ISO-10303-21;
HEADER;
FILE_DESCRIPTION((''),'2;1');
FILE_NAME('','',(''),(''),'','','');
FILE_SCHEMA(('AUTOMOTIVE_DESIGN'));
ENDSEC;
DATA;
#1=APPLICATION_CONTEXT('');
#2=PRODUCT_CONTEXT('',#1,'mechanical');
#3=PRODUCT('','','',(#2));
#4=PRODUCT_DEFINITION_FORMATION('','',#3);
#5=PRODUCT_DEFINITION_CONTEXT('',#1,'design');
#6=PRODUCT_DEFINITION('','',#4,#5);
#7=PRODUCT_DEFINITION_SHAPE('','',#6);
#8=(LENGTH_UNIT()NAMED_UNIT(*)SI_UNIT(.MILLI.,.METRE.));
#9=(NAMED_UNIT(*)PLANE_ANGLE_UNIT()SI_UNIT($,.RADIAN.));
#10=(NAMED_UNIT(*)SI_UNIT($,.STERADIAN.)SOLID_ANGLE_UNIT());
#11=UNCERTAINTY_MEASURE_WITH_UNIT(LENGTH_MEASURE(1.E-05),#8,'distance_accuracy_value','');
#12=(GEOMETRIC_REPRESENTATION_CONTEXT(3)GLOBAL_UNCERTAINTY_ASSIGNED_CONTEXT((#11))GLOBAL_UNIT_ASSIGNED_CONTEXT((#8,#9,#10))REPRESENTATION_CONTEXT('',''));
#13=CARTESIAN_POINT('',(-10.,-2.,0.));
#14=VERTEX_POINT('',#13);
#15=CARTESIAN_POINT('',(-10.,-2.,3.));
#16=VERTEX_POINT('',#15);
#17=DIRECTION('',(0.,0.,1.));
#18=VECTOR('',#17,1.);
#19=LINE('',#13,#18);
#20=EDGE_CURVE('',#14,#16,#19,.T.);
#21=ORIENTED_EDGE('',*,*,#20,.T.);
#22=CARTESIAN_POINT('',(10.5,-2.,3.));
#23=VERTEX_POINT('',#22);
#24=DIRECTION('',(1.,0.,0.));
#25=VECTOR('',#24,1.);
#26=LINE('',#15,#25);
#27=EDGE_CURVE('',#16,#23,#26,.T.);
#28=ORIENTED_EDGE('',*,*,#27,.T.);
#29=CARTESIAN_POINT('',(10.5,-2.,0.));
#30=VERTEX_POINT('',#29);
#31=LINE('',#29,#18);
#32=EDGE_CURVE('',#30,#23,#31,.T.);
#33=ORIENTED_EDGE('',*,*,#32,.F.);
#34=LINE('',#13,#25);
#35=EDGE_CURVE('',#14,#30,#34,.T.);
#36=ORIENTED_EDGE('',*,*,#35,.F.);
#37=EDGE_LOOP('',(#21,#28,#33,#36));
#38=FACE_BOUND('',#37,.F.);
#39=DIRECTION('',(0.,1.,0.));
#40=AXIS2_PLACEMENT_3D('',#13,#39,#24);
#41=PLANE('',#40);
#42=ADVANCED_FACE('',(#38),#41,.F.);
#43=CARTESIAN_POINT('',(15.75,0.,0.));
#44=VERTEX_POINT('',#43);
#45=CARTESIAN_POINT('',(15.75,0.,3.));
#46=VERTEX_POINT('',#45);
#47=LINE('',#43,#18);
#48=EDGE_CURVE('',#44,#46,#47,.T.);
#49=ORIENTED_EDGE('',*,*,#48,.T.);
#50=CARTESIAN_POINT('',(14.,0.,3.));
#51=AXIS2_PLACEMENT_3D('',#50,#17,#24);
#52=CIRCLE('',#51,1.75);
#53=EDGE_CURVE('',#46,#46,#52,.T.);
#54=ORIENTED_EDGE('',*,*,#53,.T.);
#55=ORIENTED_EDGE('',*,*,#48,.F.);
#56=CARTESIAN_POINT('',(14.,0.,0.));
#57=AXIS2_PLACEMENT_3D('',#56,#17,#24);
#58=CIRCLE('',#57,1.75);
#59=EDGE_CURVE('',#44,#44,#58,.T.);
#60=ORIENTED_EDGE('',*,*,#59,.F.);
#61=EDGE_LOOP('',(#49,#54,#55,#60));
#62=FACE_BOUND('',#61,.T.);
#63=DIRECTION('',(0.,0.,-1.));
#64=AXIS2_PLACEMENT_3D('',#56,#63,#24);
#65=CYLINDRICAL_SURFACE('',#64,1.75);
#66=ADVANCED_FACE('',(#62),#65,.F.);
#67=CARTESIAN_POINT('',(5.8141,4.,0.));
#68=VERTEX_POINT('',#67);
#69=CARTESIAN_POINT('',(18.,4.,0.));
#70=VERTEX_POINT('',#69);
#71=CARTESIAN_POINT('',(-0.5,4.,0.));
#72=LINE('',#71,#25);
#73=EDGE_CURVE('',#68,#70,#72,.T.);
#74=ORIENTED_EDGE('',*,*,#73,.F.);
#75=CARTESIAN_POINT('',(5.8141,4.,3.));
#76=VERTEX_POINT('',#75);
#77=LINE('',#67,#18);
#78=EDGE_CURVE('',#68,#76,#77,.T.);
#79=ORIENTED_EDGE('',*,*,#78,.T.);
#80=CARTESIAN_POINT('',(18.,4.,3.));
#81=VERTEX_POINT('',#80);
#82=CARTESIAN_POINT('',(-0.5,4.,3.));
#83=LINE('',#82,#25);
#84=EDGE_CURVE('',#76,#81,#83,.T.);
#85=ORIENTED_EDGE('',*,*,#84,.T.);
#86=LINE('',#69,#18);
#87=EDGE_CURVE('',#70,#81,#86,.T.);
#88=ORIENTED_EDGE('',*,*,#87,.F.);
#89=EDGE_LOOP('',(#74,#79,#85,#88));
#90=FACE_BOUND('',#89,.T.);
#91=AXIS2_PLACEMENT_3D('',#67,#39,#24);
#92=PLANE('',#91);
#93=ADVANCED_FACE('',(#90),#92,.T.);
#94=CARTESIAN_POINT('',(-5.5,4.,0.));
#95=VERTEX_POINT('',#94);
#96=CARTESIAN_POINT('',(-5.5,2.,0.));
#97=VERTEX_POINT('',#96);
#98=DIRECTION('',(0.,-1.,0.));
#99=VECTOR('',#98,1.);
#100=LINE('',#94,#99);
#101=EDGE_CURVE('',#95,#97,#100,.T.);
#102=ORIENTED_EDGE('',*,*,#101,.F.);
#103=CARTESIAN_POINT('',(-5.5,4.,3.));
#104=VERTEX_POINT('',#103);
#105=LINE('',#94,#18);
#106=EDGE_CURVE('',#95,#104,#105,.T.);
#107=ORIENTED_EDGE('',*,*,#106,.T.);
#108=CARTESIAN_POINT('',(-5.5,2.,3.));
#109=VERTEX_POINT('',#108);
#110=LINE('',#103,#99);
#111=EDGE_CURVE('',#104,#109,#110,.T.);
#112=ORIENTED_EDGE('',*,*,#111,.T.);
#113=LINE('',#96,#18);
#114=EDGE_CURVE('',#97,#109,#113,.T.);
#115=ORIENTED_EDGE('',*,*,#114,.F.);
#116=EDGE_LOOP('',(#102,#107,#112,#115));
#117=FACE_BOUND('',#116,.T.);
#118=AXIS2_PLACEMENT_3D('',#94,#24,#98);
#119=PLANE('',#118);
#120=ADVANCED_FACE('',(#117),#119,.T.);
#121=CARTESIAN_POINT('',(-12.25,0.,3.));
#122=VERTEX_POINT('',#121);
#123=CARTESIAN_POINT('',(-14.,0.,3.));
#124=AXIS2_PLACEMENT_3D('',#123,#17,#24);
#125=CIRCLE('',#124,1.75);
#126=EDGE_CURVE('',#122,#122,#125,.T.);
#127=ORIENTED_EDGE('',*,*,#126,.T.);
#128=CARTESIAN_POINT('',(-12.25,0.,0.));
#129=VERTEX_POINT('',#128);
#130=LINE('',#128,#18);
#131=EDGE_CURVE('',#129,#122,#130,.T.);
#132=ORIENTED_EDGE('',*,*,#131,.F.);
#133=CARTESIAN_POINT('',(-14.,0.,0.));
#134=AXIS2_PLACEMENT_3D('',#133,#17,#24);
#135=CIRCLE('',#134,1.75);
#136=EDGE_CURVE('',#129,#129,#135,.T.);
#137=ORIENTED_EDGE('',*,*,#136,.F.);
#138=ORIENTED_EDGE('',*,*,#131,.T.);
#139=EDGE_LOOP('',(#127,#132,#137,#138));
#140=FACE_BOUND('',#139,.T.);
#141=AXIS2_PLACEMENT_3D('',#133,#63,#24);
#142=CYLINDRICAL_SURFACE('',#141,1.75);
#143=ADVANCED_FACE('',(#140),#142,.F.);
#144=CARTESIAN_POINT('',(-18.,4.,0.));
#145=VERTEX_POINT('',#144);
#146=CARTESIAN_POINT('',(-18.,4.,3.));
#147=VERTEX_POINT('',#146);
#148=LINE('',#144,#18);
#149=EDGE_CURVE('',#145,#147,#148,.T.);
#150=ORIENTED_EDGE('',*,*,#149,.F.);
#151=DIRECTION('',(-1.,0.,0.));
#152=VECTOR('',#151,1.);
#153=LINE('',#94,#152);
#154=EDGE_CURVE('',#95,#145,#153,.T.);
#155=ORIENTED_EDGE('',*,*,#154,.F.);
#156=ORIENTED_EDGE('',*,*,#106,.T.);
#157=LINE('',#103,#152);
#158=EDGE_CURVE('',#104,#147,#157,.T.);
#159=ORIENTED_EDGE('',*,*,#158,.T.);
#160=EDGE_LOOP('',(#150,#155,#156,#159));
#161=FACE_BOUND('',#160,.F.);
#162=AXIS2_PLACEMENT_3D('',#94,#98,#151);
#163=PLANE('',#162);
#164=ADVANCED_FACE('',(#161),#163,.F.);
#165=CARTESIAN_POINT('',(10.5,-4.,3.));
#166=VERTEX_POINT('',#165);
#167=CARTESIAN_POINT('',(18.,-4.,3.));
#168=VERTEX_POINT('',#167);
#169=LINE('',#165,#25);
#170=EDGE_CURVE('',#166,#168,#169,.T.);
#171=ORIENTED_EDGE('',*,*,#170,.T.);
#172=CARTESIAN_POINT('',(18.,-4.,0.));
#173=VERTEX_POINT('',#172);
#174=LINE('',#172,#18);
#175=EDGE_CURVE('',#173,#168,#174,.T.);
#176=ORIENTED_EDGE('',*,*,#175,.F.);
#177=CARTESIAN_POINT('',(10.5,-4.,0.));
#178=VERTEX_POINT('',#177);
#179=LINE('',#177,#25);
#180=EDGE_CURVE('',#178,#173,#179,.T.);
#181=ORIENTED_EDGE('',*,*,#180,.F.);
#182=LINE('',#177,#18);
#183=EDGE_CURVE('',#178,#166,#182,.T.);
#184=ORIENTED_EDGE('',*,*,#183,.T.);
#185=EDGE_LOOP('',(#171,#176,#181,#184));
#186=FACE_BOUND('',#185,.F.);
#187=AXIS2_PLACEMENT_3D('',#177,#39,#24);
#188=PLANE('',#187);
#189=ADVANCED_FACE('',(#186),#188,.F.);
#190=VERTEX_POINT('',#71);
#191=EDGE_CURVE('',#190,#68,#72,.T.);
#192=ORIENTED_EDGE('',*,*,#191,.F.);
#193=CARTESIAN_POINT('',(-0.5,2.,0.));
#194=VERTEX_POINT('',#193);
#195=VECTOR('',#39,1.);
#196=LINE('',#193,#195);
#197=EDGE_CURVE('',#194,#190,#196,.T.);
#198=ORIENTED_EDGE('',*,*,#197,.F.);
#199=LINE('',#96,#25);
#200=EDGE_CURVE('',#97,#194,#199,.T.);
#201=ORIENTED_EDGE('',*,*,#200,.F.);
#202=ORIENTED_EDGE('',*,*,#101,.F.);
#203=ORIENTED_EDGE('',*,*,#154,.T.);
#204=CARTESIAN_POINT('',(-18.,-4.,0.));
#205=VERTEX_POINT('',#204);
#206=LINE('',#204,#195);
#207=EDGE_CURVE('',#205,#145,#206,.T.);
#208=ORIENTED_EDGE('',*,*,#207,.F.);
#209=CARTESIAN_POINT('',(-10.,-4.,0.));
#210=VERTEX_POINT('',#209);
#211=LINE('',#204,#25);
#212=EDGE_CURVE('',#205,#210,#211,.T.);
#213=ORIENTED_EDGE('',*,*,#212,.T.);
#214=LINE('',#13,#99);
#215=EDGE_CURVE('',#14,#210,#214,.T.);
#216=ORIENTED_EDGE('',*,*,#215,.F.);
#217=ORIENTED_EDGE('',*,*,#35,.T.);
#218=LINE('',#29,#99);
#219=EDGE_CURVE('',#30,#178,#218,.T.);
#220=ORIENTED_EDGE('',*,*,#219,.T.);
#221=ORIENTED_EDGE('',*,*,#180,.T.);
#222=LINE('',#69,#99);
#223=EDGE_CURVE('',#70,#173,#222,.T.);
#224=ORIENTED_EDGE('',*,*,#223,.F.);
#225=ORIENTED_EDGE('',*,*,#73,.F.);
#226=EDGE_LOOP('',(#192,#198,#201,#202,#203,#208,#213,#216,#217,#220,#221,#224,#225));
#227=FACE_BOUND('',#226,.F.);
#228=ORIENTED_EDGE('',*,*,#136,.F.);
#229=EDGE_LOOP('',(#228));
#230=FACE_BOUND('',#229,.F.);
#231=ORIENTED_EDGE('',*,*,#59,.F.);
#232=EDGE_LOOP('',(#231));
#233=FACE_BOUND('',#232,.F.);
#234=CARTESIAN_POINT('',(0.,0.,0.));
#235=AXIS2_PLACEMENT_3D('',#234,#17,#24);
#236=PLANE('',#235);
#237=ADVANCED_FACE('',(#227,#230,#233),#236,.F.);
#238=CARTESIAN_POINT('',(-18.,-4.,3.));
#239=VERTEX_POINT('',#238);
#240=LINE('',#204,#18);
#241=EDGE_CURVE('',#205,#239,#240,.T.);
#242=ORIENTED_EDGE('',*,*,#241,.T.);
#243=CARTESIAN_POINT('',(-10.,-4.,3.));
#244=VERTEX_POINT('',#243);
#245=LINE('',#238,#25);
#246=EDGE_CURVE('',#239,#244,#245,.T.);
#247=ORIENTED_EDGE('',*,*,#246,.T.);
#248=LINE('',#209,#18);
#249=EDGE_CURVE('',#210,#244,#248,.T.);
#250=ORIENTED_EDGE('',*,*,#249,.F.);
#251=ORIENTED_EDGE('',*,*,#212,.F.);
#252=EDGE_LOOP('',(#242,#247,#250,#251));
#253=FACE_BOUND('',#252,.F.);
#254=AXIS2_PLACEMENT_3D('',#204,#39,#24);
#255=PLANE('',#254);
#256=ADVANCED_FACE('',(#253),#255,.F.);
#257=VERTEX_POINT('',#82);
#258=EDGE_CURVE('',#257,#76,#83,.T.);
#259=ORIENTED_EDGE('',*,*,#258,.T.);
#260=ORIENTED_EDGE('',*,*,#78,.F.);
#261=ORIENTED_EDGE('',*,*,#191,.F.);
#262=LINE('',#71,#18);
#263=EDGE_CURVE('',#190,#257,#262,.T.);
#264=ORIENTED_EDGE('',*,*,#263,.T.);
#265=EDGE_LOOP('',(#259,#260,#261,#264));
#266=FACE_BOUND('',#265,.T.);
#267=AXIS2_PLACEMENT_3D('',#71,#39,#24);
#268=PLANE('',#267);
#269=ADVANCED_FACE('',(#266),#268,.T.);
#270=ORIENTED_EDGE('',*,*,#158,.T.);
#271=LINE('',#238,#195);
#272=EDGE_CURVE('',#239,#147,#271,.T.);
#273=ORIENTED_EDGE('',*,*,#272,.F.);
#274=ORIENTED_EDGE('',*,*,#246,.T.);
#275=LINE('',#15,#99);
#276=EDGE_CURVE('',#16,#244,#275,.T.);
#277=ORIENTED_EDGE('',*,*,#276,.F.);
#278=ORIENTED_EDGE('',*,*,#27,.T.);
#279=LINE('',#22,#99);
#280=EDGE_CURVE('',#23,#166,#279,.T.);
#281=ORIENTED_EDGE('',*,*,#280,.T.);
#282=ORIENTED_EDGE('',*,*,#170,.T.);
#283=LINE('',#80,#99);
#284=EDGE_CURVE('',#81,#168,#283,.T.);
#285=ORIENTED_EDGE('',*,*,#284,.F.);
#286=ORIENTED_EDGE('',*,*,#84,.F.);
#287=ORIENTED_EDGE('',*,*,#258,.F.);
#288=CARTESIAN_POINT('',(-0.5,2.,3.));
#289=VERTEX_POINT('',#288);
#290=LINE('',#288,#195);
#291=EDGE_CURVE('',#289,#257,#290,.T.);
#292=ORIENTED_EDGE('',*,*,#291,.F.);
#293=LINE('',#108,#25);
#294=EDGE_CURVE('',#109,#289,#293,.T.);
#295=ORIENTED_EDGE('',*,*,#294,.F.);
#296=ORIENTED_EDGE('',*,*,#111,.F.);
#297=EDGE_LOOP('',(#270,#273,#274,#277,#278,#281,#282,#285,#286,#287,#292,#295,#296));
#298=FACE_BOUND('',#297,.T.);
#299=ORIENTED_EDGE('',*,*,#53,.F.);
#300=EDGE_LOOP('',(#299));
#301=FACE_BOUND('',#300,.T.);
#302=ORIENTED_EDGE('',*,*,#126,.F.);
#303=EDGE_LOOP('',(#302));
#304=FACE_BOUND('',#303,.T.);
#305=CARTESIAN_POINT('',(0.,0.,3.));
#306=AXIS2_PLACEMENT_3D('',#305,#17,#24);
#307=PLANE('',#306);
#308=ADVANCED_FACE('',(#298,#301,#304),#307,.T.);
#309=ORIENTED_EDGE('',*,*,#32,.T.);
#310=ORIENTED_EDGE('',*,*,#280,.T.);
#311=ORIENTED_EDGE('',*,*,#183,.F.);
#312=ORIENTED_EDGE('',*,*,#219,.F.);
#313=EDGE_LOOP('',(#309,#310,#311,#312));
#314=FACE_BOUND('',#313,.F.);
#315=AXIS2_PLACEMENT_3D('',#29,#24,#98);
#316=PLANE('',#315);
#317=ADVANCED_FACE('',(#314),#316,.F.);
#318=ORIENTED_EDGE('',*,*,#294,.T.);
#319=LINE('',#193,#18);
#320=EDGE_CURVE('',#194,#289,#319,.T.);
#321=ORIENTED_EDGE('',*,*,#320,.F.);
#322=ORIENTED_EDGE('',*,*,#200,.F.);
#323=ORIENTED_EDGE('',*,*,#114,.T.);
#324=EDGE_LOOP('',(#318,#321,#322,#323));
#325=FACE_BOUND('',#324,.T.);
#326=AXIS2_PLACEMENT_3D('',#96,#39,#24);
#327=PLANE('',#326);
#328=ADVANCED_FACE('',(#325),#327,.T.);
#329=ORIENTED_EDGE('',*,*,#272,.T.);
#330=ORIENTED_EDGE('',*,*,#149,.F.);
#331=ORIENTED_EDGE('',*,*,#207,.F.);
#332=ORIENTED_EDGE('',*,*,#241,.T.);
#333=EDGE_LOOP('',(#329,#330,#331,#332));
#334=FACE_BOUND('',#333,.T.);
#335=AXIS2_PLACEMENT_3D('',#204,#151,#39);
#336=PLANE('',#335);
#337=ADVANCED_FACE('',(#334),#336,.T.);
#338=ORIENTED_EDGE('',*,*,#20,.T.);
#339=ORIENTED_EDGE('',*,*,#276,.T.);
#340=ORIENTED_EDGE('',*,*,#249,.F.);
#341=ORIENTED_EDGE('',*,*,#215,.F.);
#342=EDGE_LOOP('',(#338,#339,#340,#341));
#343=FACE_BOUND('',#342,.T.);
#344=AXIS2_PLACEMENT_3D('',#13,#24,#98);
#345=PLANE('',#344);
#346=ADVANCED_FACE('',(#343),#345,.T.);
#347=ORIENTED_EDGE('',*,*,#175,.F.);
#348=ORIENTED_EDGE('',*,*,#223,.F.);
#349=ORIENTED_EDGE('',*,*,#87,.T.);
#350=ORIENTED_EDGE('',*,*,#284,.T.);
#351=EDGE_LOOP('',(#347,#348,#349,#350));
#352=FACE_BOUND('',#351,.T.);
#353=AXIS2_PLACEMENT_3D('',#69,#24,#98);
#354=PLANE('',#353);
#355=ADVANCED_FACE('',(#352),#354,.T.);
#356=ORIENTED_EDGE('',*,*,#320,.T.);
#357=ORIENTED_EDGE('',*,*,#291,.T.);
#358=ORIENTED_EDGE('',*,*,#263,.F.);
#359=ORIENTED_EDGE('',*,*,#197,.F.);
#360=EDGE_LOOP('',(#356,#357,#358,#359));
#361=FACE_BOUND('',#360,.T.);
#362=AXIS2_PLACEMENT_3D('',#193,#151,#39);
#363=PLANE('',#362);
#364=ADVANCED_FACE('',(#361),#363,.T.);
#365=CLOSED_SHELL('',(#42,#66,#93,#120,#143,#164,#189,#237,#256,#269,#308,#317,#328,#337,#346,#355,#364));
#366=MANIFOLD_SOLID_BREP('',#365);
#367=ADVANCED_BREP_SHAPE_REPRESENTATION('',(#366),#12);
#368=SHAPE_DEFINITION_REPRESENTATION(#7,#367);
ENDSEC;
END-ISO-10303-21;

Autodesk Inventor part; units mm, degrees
ref_plane "YZ Plane" through (0, 0, 0) normal (1, 0, 0) x (0, 1, 0)
ref_plane "XZ Plane" through (0, 0, 0) normal (0, 1, 0) x (-1, 0, 0)
ref_plane "XY Plane" through (0, 0, 0) normal (0, 0, 1) x (1, 0, 0)
sketch "Sketch" plane through (0, 0, 0) normal (0, 0, 1) x (1, 0, 0)
  line L0 (-18, -4) -> (-18, 4)
  circle A0 centre (-14, 0) radius 1.75
  circle A1 centre (14, 0) radius 1.75
  line L1 (-10, -2) -> (-10, -4)
  line L2 (10.5, -2) -> (10.5, -4)
  line L3 (-18, -4) -> (-10, -4)
  line L4 (10.5, -4) -> (18, -4)
  line L5 (-5.5, 4) -> (-5.5, 2)
  line L6 (-5.5, 2) -> (-0.5, 2)
  line L7 (-0.5, 2) -> (-0.5, 4)
  line L8 (-0.5, 4) -> (5.8141, 4)
  line L9 (-0.5, 4) -> (18, 4)
  line L10 (18, 4) -> (18, -4)
  line L11 (-10, -2) -> (10.5, -2)
  line L12 (-5.5, 4) -> (-18, 4)
  line L13 (0, 15.191) -> (0, -14.809) construction
  point P0 (0, 0)
  point P1 (18, 0)
  dimension "d18" = 3.5
  dimension "d34" = 5
  dimension "d35" = 20.5
  dimension "d36" = 2
  dimension "d39" = 36
  dimension "d41" = 8
  dimension "d45" = 12.5
  dimension "d48" = 8
  dimension "d49" = 14
extrude "Extrusion" add sketch "Sketch" along normal blind 3
properties part number "solar_board_holder"
